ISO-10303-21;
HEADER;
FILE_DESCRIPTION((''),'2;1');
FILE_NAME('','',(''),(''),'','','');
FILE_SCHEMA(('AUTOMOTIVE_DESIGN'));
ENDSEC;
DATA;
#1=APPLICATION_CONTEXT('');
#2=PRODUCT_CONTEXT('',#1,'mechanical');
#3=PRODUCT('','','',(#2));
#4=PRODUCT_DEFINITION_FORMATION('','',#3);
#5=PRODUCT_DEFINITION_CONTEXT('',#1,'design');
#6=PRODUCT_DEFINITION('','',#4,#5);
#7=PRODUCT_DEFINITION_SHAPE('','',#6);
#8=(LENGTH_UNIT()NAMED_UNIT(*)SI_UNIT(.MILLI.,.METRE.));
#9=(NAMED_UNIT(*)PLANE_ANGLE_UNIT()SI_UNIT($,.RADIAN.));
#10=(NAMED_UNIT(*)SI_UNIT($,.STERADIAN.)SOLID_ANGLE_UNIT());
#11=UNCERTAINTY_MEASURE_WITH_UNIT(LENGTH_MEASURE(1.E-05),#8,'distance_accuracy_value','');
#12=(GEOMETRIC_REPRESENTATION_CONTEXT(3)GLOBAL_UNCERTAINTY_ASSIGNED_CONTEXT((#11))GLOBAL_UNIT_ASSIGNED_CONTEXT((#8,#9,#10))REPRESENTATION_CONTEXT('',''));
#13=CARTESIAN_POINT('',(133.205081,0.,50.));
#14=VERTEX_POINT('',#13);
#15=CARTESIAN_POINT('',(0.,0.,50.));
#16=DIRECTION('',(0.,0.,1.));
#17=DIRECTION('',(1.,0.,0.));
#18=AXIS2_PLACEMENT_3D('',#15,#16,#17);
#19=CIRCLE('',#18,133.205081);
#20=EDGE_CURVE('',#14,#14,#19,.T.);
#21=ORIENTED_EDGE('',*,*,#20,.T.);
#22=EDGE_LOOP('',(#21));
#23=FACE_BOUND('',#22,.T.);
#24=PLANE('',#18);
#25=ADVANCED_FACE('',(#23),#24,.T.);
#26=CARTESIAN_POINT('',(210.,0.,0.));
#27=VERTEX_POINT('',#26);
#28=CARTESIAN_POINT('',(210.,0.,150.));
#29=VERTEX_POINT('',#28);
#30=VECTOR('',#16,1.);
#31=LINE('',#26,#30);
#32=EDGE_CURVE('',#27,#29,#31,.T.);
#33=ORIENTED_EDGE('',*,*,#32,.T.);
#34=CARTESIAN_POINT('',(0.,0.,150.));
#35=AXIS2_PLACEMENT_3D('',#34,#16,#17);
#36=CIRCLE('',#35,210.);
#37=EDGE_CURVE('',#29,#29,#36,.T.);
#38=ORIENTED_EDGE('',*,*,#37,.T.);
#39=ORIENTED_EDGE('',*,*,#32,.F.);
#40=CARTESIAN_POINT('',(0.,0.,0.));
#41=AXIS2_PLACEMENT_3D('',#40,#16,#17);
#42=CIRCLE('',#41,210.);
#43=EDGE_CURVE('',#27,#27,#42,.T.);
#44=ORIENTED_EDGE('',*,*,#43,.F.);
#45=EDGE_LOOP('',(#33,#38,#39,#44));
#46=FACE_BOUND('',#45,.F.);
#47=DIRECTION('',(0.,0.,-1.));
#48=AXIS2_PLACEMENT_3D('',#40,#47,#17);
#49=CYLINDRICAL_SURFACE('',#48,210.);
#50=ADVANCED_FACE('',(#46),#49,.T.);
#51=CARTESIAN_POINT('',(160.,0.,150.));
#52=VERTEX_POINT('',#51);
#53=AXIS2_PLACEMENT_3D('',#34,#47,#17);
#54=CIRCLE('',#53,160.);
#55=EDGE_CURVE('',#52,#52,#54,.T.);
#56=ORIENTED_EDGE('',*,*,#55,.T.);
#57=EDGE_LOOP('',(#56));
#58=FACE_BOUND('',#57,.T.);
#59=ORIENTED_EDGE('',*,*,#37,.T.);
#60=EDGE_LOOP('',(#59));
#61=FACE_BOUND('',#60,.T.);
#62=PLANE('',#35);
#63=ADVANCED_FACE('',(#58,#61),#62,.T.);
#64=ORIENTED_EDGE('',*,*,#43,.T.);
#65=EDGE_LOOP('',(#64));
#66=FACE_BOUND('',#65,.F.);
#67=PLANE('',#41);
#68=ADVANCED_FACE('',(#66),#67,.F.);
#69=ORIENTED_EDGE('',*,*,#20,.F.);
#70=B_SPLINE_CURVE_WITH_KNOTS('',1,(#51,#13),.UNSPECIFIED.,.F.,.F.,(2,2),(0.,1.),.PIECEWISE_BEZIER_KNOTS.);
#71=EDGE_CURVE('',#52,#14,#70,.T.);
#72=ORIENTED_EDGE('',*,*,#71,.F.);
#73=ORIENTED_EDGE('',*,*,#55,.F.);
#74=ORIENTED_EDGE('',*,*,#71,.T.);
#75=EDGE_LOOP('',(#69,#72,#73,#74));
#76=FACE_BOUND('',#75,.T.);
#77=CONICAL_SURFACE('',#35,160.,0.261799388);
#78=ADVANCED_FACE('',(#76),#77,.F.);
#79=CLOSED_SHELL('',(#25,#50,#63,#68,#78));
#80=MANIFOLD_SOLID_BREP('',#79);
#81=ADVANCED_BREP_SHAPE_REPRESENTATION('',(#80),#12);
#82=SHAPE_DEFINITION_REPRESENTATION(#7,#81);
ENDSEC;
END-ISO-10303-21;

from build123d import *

# Parameters (mm, degrees)
F0_R     = 210
F1_DEPTH = 150
F2_R     = 160
F3_DEPTH = 100
F3_TAPER = 15


with BuildPart() as f1:
    # F0 (on Top) → F1 (new body)
    with BuildSketch(Plane.XY):
        Circle(F0_R)
    extrude(amount=F1_DEPTH)

    # F2 (on face) → F3 (cut)
    with BuildSketch(Plane.XY.offset(150)):
        Circle(F2_R)
    extrude(amount=-F3_DEPTH, taper=F3_TAPER, mode=Mode.SUBTRACT)


solid = f1.part
